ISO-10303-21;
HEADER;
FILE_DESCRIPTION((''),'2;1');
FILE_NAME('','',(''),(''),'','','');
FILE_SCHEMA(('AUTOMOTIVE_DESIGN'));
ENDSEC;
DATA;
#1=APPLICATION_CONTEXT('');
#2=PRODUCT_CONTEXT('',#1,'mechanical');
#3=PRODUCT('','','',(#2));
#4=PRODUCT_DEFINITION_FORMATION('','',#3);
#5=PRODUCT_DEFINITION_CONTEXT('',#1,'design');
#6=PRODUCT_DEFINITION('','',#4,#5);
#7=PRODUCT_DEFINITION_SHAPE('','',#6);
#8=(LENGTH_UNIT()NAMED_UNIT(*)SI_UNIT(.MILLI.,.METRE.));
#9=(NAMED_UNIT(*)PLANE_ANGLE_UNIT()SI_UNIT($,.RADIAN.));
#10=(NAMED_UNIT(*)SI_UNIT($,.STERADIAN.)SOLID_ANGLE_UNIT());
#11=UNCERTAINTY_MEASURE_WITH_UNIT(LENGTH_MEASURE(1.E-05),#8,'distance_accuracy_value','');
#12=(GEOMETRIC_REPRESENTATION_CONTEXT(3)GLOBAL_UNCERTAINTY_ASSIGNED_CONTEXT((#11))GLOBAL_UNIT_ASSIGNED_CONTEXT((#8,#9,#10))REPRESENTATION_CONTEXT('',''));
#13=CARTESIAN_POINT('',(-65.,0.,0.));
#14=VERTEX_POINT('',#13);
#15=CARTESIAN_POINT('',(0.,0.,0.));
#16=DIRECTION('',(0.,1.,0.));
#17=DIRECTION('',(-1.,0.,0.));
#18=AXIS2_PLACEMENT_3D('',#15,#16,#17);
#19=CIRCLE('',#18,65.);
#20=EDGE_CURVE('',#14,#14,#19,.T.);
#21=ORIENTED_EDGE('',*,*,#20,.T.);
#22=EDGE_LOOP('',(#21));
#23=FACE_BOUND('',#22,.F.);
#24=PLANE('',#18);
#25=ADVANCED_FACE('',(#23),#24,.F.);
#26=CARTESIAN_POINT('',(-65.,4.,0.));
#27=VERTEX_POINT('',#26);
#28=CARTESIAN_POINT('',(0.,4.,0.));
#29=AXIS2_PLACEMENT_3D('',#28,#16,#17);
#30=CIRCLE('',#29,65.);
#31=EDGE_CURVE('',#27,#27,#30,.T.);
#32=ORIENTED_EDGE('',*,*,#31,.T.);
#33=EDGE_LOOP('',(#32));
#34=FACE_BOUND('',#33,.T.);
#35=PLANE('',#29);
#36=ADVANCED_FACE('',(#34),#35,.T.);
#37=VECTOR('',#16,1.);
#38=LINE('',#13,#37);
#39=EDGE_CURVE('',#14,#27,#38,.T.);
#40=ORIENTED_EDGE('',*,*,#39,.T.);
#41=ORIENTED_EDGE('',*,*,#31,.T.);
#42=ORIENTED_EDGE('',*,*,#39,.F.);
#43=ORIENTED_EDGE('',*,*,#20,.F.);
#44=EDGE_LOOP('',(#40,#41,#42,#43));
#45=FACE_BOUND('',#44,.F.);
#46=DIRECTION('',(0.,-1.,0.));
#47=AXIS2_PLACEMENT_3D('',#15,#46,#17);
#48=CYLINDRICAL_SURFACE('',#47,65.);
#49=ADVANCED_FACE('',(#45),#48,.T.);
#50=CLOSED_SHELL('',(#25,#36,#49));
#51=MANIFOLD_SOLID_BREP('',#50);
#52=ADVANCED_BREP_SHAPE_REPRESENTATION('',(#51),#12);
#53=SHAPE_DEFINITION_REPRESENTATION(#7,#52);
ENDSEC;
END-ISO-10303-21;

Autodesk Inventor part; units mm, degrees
ref_plane "YZ Plane" through (0, 0, 0) normal (1, 0, 0) x (0, 1, 0)
ref_plane "XZ Plane" through (0, 0, 0) normal (0, 1, 0) x (-1, 0, 0)
ref_plane "XY Plane" through (0, 0, 0) normal (0, 0, 1) x (1, 0, 0)
sketch "Sketch1" plane through (0, 0, 0) normal (0, 1, 0) x (-1, 0, 0)
  circle A0 centre (0, 0) radius 65
  dimension "d0" = 130
extrude "Extrusion1" add sketch "Sketch1" along normal blind 4
properties part number "130 mm Glass"
